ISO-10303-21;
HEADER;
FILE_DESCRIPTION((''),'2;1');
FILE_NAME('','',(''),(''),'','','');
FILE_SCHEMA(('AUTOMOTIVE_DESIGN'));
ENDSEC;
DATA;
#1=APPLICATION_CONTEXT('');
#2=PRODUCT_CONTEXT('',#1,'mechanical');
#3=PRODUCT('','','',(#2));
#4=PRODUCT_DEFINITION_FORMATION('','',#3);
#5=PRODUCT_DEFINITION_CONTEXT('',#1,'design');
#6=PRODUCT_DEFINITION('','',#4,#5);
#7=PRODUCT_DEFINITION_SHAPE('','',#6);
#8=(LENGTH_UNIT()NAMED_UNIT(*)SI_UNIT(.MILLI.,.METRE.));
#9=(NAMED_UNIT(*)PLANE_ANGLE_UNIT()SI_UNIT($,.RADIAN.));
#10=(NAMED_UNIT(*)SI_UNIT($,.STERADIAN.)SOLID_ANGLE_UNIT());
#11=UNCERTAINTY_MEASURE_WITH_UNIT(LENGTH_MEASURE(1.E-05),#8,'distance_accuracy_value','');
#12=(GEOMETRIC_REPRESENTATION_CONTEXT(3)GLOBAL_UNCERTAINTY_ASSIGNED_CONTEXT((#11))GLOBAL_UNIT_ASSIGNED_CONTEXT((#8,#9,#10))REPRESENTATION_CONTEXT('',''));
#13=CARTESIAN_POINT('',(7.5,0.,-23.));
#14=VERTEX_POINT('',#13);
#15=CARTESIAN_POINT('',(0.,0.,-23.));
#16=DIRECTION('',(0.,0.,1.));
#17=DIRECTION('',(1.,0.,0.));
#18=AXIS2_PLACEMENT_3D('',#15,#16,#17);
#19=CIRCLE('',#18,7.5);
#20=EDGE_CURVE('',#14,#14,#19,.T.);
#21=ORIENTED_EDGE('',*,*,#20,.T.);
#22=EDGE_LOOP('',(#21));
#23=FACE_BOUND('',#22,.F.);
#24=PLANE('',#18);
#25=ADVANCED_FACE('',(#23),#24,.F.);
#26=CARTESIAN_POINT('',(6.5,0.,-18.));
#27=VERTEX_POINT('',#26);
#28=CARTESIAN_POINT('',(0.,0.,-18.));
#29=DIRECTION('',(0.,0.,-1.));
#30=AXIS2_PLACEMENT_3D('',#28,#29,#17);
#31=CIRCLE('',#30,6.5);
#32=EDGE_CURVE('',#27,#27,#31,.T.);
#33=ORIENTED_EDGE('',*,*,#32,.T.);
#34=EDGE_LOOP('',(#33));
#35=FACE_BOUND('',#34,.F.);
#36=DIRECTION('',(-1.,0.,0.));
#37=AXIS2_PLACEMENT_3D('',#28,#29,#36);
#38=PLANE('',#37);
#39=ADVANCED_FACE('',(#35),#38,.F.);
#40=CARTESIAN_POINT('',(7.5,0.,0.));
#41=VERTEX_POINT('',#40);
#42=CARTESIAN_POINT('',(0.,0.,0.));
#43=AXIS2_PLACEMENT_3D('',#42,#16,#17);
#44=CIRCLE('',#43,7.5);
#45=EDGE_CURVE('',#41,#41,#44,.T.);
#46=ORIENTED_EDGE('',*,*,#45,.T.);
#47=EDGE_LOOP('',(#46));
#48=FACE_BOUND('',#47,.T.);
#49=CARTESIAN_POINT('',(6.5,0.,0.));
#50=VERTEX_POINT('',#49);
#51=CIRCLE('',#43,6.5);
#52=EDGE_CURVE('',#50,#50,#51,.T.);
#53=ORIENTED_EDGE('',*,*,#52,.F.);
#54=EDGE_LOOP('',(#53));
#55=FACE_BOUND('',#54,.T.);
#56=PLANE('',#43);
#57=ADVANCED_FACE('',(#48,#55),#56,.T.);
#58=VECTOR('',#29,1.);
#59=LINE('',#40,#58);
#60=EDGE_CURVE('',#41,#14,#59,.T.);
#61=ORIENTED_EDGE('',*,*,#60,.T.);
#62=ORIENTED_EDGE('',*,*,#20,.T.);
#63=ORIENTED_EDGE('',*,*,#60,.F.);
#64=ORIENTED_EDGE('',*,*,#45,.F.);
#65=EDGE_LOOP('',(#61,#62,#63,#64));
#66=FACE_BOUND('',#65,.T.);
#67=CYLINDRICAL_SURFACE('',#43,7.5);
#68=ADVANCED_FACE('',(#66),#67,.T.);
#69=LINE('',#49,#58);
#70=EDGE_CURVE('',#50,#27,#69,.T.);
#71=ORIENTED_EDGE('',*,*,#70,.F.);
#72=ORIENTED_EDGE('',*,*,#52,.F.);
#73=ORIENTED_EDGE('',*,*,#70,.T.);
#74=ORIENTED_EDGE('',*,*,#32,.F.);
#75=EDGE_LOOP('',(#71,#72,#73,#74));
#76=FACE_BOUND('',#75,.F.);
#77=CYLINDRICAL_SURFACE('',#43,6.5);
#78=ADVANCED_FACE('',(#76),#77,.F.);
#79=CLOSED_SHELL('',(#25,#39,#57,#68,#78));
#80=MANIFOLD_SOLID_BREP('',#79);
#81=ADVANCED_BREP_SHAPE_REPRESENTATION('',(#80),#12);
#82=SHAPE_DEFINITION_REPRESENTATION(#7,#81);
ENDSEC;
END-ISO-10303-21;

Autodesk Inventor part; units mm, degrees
ref_plane "YZ Plane" through (0, 0, 0) normal (1, 0, 0) x (0, 1, 0)
ref_plane "XZ Plane" through (0, 0, 0) normal (0, 1, 0) x (-1, 0, 0)
ref_plane "XY Plane" through (0, 0, 0) normal (0, 0, 1) x (1, 0, 0)
sketch "Skizze1" plane through (0, 0, 0) normal (0, 0, 1) x (1, 0, 0)
  circle A0 centre (0, 0) radius 6.5
  circle A1 centre (0, 0) radius 7.5
  dimension "d0" = 1
  dimension "d1" = 15
extrude "Extrusion1" add sketch "Skizze1" against normal blind 23
sketch "Skizze2" plane through (0, 0, -23) normal (0, 0, -1) x (-1, 0, 0)
  circle A0 centre (0, 0) radius 6.5 projected
  circle A1 centre (0, 0) radius 7.5
  circle A2 centre (0, 0) radius 7.5 projected
extrude "Extrusion2" add sketch "Skizze2" against normal blind 5 contours A0
properties part number "Hulse"
